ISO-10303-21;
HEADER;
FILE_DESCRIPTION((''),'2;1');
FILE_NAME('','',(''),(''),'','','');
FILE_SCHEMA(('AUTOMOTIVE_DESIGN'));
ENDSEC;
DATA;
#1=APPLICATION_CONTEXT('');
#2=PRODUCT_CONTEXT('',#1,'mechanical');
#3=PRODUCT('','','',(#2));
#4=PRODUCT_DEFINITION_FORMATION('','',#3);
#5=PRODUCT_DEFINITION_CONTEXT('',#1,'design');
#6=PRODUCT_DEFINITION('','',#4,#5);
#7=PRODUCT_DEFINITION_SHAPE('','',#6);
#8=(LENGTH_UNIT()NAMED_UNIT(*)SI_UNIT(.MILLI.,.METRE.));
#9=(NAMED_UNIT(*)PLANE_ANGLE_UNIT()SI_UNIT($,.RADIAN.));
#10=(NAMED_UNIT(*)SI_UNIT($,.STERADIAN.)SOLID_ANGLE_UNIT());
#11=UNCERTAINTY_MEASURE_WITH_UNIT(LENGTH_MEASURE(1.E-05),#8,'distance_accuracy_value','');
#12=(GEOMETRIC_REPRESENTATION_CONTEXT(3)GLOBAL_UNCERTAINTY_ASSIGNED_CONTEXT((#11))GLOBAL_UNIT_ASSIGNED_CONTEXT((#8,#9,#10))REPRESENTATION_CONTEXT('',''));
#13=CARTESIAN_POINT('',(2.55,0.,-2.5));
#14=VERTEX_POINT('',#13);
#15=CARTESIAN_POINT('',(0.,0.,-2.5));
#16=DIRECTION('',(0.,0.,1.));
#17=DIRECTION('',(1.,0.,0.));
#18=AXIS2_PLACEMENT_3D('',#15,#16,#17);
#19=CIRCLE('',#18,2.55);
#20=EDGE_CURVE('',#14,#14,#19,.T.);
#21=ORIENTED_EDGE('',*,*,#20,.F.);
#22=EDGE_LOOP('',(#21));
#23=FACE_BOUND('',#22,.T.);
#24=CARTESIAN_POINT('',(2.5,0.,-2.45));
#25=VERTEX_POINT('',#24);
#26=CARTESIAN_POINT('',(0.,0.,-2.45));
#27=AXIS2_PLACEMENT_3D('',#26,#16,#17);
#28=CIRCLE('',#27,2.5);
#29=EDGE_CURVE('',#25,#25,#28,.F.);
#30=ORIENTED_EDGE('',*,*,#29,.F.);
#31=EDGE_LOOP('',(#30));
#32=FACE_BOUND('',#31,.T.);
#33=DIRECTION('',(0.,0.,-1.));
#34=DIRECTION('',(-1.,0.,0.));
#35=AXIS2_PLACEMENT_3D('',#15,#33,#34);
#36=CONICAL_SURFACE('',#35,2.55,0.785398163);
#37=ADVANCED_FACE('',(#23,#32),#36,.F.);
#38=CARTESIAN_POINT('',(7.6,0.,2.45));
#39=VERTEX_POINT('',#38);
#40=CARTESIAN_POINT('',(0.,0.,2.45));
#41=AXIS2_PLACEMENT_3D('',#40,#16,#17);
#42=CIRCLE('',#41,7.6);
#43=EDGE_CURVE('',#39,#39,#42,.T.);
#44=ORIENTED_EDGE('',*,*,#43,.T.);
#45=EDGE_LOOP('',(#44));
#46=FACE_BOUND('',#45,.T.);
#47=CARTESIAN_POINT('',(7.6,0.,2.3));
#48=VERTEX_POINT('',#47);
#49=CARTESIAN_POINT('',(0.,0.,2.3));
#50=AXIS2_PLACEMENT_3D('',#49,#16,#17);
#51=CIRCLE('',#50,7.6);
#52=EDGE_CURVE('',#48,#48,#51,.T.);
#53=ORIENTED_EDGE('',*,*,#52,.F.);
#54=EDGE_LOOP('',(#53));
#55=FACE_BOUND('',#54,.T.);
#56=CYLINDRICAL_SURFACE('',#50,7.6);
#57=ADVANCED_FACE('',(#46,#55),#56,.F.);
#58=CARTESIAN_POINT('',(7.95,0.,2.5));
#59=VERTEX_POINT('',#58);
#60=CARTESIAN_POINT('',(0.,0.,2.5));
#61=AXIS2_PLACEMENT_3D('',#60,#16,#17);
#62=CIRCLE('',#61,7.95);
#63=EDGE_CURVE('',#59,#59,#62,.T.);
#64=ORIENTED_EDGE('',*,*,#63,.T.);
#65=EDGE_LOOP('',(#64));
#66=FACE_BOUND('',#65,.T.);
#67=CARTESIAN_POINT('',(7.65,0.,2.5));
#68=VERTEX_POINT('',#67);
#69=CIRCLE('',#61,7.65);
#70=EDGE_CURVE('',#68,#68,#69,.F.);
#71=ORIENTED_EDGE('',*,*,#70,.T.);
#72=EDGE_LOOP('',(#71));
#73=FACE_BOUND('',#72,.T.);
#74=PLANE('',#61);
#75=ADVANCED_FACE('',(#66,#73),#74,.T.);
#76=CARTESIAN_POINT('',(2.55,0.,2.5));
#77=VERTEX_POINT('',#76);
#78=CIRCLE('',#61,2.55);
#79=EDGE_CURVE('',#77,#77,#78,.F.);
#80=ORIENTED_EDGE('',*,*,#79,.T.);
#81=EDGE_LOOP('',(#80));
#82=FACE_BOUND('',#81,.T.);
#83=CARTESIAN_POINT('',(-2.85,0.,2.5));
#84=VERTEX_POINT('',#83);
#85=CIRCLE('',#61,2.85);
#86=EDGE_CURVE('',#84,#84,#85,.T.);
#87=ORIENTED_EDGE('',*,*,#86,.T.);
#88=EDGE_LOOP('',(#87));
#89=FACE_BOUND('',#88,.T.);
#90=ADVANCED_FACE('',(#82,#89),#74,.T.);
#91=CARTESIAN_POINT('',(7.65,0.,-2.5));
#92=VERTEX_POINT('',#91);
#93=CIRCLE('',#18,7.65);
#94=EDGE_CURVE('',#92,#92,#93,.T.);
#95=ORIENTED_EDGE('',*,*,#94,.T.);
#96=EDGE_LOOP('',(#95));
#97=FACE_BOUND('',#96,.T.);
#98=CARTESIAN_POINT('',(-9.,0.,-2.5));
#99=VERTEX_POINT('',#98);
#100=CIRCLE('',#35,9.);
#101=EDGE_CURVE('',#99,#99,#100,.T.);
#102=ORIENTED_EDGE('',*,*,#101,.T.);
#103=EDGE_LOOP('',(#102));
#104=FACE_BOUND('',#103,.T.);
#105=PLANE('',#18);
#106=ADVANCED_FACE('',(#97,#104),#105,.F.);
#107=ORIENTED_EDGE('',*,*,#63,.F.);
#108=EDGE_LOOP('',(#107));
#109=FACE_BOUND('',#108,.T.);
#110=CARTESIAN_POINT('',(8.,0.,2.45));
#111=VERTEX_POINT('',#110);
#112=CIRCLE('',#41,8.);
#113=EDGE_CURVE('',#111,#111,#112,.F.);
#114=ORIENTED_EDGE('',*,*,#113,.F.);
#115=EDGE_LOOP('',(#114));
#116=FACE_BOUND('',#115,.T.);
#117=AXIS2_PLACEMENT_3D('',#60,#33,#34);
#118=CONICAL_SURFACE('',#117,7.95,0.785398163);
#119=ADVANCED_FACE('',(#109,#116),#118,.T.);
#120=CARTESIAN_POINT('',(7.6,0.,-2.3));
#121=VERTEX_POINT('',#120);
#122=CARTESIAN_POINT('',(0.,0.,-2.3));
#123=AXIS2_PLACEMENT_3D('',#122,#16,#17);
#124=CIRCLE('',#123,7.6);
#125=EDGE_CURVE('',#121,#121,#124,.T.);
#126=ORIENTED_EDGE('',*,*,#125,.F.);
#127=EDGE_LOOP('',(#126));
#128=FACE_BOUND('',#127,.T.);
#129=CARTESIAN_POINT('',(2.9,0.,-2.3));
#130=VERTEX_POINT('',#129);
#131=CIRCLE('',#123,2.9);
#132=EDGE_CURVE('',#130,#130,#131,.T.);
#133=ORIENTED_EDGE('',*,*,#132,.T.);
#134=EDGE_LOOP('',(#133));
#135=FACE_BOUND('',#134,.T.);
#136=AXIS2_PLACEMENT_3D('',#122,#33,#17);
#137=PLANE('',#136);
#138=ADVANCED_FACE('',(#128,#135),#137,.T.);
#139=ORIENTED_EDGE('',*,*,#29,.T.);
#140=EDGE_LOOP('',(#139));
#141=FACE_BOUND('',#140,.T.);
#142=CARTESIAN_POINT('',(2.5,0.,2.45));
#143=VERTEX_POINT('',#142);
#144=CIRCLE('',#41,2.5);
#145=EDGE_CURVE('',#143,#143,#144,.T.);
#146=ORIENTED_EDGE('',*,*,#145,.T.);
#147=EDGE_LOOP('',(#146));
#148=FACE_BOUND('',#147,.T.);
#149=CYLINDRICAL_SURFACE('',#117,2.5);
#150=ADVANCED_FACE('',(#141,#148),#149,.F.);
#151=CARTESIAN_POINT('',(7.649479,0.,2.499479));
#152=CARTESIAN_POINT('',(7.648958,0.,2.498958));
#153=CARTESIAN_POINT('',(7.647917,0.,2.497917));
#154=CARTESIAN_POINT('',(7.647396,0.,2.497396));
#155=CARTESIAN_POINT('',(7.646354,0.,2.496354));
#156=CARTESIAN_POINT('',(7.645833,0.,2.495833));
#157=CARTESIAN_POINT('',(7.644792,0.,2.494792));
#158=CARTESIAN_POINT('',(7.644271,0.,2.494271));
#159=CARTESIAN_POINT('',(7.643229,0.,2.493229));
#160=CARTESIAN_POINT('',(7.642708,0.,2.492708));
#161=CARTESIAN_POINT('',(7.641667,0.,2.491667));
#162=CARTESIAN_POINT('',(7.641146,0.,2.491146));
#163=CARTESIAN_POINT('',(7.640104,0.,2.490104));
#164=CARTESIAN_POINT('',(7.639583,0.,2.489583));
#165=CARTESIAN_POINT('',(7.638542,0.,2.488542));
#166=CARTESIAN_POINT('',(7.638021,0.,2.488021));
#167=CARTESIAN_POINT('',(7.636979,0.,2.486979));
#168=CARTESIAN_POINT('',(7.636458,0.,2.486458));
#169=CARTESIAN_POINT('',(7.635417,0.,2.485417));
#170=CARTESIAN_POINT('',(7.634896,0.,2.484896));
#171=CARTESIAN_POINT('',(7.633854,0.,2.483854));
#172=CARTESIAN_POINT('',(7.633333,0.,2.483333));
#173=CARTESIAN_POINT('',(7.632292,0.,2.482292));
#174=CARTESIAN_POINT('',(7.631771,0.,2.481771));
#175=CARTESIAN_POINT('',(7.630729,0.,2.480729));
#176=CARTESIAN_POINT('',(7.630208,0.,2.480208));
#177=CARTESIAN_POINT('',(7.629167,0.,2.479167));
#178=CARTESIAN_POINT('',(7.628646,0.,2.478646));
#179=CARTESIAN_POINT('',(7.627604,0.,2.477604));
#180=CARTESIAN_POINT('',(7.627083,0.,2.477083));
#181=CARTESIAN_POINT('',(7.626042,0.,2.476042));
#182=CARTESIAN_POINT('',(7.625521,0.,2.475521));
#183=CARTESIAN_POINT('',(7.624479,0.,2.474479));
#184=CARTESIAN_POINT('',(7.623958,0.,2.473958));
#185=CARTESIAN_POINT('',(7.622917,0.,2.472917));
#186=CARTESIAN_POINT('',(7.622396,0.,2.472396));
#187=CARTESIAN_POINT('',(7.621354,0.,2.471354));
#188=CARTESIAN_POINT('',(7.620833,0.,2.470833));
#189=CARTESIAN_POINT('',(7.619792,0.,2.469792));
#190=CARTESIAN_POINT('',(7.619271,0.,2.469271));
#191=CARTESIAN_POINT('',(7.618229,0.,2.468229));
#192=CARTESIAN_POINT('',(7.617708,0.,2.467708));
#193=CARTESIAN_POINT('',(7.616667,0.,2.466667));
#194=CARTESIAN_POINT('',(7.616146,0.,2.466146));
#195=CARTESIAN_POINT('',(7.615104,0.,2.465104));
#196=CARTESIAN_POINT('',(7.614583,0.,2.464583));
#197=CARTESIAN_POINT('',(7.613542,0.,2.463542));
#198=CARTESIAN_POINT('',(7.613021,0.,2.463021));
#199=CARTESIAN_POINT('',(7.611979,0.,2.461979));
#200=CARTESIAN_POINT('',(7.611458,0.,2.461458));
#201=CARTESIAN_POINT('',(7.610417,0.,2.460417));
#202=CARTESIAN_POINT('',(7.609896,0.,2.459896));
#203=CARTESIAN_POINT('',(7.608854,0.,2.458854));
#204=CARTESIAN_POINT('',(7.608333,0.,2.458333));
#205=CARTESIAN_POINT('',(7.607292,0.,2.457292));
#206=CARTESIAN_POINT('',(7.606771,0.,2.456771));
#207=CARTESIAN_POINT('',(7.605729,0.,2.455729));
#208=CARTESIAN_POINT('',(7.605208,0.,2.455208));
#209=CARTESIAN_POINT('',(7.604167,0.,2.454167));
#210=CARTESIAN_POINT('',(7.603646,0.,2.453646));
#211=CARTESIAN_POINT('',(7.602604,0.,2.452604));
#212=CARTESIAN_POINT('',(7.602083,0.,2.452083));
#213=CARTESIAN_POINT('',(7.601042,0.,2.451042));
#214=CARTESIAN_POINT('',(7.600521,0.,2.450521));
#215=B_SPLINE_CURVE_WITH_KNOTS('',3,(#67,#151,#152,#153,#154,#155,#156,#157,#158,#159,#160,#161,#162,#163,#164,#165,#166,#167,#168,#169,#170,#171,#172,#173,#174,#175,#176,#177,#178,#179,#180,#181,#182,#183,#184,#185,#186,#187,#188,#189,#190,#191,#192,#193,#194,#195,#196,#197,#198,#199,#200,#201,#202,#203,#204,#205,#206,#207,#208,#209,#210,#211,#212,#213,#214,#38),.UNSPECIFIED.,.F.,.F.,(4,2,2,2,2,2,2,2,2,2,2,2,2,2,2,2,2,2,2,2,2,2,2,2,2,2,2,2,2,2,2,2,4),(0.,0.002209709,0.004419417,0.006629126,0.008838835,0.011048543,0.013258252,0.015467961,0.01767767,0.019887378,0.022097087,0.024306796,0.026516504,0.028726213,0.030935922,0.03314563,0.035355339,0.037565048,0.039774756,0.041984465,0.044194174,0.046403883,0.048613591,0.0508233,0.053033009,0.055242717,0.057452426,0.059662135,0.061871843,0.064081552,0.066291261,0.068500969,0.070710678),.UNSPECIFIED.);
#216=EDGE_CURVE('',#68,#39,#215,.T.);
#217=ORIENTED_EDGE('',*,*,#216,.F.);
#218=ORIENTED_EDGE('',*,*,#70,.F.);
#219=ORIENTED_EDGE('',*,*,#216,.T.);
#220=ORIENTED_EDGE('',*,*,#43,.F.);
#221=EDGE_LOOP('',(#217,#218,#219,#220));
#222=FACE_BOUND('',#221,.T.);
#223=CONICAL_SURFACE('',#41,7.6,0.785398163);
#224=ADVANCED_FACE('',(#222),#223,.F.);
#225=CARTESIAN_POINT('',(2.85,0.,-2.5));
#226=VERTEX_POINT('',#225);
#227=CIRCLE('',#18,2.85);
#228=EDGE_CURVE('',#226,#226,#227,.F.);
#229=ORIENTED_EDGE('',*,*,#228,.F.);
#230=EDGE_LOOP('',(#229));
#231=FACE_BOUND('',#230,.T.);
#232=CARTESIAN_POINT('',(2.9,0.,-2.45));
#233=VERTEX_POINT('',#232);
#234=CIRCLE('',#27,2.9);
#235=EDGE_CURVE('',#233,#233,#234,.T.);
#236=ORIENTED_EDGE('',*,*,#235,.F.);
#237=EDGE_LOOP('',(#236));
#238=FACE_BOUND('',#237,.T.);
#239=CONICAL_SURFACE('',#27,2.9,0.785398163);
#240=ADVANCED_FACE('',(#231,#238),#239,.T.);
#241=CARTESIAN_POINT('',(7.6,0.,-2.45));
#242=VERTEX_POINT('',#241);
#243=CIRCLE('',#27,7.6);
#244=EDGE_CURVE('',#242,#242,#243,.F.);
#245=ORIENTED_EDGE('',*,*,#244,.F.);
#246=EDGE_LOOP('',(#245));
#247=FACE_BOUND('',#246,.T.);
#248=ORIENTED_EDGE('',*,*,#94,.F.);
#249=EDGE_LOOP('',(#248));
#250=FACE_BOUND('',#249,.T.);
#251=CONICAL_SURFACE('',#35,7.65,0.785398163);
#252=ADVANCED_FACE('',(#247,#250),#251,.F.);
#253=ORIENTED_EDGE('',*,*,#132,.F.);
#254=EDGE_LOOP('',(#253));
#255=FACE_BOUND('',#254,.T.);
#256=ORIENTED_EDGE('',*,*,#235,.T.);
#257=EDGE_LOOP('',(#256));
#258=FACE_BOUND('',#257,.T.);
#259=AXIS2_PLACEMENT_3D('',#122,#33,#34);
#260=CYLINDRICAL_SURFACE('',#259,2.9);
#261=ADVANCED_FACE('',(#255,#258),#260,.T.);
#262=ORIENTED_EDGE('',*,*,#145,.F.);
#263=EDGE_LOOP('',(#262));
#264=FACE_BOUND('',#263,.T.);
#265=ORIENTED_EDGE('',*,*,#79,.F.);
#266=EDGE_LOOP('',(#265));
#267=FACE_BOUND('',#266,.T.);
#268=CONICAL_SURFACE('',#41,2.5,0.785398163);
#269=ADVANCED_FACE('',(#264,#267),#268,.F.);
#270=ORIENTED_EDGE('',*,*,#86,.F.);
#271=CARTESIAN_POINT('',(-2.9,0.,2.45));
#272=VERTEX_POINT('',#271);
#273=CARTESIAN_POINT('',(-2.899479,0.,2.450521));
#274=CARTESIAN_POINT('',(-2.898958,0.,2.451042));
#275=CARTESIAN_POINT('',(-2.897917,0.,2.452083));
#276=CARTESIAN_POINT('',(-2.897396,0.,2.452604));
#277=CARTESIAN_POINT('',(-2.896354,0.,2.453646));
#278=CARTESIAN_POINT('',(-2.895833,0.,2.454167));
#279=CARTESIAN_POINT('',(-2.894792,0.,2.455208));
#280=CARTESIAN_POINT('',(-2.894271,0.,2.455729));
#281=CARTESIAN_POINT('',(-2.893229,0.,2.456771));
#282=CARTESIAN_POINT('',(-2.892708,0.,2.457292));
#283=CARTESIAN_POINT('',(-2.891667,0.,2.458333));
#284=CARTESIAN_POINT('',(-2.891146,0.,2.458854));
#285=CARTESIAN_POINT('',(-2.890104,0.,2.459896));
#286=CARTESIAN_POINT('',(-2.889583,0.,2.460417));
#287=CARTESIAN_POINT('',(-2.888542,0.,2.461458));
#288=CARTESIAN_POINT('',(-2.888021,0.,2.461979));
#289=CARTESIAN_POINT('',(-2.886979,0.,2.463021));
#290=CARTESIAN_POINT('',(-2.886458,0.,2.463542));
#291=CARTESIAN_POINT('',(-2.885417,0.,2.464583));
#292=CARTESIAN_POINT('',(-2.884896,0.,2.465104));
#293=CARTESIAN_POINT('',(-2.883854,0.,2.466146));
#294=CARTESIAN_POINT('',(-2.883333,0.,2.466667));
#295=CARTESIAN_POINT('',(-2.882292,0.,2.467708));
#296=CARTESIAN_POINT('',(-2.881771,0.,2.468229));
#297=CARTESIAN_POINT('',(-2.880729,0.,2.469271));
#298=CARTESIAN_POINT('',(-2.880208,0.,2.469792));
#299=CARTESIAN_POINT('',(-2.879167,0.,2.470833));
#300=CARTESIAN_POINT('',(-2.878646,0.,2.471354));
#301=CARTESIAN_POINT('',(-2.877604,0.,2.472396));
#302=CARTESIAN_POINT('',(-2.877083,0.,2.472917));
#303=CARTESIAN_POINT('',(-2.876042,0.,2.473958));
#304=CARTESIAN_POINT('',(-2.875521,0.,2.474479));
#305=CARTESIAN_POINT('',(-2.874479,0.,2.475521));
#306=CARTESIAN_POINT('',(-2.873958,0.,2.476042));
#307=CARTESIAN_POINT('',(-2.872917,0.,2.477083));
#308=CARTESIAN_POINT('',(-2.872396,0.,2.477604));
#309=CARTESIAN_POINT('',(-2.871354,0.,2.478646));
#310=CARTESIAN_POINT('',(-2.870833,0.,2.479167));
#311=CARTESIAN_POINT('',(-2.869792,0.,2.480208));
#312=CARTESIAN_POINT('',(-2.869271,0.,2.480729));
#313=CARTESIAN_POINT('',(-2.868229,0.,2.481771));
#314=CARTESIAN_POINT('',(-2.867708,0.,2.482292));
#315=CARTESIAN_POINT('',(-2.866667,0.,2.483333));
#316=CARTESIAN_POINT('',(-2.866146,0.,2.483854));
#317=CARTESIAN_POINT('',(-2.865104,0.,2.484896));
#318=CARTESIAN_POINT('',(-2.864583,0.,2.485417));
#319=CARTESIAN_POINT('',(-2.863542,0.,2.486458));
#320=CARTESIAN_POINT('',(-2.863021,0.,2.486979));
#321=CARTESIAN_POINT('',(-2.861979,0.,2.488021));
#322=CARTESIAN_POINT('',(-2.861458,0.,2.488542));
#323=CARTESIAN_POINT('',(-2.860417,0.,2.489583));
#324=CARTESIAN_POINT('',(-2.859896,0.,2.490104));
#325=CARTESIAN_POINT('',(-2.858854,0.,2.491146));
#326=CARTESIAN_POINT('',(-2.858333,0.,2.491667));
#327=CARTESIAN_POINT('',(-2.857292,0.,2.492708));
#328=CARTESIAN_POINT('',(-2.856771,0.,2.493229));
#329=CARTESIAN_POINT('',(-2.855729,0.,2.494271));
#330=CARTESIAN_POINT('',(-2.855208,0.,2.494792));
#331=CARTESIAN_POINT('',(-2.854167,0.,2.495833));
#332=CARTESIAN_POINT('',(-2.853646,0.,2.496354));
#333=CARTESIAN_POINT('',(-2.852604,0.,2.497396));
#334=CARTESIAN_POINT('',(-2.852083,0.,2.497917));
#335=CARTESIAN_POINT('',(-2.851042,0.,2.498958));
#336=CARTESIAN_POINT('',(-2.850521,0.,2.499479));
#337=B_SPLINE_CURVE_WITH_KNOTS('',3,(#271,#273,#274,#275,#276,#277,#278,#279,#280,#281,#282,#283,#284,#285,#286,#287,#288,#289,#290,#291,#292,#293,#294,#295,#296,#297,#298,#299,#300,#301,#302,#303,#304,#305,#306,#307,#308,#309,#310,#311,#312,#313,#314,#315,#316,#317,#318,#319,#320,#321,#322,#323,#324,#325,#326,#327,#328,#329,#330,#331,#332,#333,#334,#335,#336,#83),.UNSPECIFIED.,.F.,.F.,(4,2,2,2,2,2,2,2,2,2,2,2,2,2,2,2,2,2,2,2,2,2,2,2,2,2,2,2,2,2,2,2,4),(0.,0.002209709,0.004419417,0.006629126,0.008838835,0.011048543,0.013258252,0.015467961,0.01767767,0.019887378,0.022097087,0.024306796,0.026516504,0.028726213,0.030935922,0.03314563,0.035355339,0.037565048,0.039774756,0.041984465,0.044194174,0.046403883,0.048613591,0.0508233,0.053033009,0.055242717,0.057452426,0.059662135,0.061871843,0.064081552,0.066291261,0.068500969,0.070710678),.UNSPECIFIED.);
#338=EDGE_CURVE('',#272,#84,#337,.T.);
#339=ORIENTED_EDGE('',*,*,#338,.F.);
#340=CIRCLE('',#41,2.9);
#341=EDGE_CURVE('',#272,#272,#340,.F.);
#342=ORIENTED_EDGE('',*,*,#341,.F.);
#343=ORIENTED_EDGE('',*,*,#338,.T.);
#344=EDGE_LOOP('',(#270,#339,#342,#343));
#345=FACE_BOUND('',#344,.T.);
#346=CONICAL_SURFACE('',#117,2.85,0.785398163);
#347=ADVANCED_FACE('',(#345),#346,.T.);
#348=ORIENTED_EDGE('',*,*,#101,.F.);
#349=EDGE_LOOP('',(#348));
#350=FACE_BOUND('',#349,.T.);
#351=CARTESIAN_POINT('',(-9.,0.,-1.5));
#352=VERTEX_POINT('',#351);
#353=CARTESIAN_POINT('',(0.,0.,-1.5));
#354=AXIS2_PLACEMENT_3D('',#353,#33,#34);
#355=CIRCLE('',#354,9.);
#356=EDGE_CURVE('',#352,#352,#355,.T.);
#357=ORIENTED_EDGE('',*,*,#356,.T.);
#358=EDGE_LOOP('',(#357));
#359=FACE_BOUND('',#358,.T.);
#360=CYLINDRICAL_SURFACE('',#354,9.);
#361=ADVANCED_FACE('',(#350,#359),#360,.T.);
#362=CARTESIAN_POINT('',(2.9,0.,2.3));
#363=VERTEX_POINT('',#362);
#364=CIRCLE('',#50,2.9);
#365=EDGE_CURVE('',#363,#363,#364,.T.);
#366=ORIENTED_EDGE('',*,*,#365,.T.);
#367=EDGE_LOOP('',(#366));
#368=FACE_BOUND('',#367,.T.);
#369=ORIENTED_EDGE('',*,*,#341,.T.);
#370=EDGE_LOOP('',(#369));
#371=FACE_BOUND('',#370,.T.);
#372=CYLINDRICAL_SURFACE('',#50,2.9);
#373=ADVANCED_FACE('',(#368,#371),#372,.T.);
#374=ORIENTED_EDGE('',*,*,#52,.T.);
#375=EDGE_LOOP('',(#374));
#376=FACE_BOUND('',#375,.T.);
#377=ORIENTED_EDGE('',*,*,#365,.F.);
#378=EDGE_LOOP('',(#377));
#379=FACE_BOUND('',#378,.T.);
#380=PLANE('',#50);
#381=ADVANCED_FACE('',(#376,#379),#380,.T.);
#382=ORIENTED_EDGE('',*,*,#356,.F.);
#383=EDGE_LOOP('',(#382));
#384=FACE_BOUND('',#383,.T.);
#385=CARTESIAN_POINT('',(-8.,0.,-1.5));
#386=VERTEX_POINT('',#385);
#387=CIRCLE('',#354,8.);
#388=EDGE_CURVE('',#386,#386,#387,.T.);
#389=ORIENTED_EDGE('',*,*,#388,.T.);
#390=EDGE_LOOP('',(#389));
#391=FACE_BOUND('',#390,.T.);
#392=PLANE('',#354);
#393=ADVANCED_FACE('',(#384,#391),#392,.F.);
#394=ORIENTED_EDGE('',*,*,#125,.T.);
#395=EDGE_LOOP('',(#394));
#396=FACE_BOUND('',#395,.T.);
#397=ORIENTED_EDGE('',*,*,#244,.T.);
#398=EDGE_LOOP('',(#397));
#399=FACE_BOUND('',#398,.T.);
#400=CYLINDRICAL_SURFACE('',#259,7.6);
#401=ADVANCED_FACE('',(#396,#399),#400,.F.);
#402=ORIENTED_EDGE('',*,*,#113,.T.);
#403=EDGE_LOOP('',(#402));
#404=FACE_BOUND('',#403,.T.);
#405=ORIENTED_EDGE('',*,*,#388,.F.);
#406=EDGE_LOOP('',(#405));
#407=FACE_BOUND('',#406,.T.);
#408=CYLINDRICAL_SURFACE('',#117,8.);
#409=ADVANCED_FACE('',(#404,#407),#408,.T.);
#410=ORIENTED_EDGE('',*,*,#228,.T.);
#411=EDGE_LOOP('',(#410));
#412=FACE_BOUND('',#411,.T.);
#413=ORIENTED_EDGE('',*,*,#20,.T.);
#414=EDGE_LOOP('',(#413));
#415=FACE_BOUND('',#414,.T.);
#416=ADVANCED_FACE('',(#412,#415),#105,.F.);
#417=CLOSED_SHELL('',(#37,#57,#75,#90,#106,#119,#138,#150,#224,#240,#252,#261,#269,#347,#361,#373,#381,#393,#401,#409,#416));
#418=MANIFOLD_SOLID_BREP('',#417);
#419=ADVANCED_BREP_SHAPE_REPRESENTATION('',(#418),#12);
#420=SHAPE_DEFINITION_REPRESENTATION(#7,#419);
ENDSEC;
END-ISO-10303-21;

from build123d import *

# Parameters (mm, degrees)
SKETCH_1_R          = 8
SKETCH_1_R_2        = 2.5
EXTRUDE_1_DEPTH     = 2.5
SKETCH_3_R          = 9
SKETCH_3_R_2        = 2.5
EXTRUDE_2_DEPTH     = 1
SKETCH_4_R          = 7.6
SKETCH_4_R_2        = 2.9
CUT_EXTRUDE_1_DEPTH = 0.2
CHAMFER_1_SIZE      = 0.05


with BuildPart() as part:
    # 草图1 → 凸台-拉伸1 (new, symmetric)
    with BuildSketch(Plane.XY):
        Circle(SKETCH_1_R)
        Circle(SKETCH_1_R_2, mode=Mode.SUBTRACT)
    extrude(amount=EXTRUDE_1_DEPTH, both=True)

    # 草图3 → 凸台-拉伸2 (add)
    with BuildSketch(Plane(origin=(0, 0, -2.5), x_dir=(-1, 0, 0), z_dir=(0, 0, -1))):
        Circle(SKETCH_3_R)
        with Locations(Location((0, 0, 0), (0, 0, 180))):
            Circle(SKETCH_3_R_2, mode=Mode.SUBTRACT)
    extrude(amount=-EXTRUDE_2_DEPTH)

    # 草图4 → 切除-拉伸1 (cut)
    with BuildSketch(Plane.XY.offset(2.5)):
        Circle(SKETCH_4_R)
        Circle(SKETCH_4_R_2, mode=Mode.SUBTRACT)
    cut_extrude_1 = extrude(amount=-CUT_EXTRUDE_1_DEPTH, mode=Mode.SUBTRACT)

    # 镜向1: 切除-拉伸1 across plane
    add(cut_extrude_1.mirror(Plane.XY), mode=Mode.SUBTRACT)

    # 倒角1
    chamfer_1_edges = [part.edges().sort_by_distance(p)[0] for p in [
        (-7.6, 0, 2.5),
        (-2.9, 0, 2.5),
        (-2.9, 0, -2.5),
        (-7.6, 0, -2.5),
        (-8, 0, 2.5),
        (-2.5, 0, -2.5),
        (-2.5, 0, 2.5),
    ]]
    chamfer(chamfer_1_edges, length=CHAMFER_1_SIZE)


solid = part.part
